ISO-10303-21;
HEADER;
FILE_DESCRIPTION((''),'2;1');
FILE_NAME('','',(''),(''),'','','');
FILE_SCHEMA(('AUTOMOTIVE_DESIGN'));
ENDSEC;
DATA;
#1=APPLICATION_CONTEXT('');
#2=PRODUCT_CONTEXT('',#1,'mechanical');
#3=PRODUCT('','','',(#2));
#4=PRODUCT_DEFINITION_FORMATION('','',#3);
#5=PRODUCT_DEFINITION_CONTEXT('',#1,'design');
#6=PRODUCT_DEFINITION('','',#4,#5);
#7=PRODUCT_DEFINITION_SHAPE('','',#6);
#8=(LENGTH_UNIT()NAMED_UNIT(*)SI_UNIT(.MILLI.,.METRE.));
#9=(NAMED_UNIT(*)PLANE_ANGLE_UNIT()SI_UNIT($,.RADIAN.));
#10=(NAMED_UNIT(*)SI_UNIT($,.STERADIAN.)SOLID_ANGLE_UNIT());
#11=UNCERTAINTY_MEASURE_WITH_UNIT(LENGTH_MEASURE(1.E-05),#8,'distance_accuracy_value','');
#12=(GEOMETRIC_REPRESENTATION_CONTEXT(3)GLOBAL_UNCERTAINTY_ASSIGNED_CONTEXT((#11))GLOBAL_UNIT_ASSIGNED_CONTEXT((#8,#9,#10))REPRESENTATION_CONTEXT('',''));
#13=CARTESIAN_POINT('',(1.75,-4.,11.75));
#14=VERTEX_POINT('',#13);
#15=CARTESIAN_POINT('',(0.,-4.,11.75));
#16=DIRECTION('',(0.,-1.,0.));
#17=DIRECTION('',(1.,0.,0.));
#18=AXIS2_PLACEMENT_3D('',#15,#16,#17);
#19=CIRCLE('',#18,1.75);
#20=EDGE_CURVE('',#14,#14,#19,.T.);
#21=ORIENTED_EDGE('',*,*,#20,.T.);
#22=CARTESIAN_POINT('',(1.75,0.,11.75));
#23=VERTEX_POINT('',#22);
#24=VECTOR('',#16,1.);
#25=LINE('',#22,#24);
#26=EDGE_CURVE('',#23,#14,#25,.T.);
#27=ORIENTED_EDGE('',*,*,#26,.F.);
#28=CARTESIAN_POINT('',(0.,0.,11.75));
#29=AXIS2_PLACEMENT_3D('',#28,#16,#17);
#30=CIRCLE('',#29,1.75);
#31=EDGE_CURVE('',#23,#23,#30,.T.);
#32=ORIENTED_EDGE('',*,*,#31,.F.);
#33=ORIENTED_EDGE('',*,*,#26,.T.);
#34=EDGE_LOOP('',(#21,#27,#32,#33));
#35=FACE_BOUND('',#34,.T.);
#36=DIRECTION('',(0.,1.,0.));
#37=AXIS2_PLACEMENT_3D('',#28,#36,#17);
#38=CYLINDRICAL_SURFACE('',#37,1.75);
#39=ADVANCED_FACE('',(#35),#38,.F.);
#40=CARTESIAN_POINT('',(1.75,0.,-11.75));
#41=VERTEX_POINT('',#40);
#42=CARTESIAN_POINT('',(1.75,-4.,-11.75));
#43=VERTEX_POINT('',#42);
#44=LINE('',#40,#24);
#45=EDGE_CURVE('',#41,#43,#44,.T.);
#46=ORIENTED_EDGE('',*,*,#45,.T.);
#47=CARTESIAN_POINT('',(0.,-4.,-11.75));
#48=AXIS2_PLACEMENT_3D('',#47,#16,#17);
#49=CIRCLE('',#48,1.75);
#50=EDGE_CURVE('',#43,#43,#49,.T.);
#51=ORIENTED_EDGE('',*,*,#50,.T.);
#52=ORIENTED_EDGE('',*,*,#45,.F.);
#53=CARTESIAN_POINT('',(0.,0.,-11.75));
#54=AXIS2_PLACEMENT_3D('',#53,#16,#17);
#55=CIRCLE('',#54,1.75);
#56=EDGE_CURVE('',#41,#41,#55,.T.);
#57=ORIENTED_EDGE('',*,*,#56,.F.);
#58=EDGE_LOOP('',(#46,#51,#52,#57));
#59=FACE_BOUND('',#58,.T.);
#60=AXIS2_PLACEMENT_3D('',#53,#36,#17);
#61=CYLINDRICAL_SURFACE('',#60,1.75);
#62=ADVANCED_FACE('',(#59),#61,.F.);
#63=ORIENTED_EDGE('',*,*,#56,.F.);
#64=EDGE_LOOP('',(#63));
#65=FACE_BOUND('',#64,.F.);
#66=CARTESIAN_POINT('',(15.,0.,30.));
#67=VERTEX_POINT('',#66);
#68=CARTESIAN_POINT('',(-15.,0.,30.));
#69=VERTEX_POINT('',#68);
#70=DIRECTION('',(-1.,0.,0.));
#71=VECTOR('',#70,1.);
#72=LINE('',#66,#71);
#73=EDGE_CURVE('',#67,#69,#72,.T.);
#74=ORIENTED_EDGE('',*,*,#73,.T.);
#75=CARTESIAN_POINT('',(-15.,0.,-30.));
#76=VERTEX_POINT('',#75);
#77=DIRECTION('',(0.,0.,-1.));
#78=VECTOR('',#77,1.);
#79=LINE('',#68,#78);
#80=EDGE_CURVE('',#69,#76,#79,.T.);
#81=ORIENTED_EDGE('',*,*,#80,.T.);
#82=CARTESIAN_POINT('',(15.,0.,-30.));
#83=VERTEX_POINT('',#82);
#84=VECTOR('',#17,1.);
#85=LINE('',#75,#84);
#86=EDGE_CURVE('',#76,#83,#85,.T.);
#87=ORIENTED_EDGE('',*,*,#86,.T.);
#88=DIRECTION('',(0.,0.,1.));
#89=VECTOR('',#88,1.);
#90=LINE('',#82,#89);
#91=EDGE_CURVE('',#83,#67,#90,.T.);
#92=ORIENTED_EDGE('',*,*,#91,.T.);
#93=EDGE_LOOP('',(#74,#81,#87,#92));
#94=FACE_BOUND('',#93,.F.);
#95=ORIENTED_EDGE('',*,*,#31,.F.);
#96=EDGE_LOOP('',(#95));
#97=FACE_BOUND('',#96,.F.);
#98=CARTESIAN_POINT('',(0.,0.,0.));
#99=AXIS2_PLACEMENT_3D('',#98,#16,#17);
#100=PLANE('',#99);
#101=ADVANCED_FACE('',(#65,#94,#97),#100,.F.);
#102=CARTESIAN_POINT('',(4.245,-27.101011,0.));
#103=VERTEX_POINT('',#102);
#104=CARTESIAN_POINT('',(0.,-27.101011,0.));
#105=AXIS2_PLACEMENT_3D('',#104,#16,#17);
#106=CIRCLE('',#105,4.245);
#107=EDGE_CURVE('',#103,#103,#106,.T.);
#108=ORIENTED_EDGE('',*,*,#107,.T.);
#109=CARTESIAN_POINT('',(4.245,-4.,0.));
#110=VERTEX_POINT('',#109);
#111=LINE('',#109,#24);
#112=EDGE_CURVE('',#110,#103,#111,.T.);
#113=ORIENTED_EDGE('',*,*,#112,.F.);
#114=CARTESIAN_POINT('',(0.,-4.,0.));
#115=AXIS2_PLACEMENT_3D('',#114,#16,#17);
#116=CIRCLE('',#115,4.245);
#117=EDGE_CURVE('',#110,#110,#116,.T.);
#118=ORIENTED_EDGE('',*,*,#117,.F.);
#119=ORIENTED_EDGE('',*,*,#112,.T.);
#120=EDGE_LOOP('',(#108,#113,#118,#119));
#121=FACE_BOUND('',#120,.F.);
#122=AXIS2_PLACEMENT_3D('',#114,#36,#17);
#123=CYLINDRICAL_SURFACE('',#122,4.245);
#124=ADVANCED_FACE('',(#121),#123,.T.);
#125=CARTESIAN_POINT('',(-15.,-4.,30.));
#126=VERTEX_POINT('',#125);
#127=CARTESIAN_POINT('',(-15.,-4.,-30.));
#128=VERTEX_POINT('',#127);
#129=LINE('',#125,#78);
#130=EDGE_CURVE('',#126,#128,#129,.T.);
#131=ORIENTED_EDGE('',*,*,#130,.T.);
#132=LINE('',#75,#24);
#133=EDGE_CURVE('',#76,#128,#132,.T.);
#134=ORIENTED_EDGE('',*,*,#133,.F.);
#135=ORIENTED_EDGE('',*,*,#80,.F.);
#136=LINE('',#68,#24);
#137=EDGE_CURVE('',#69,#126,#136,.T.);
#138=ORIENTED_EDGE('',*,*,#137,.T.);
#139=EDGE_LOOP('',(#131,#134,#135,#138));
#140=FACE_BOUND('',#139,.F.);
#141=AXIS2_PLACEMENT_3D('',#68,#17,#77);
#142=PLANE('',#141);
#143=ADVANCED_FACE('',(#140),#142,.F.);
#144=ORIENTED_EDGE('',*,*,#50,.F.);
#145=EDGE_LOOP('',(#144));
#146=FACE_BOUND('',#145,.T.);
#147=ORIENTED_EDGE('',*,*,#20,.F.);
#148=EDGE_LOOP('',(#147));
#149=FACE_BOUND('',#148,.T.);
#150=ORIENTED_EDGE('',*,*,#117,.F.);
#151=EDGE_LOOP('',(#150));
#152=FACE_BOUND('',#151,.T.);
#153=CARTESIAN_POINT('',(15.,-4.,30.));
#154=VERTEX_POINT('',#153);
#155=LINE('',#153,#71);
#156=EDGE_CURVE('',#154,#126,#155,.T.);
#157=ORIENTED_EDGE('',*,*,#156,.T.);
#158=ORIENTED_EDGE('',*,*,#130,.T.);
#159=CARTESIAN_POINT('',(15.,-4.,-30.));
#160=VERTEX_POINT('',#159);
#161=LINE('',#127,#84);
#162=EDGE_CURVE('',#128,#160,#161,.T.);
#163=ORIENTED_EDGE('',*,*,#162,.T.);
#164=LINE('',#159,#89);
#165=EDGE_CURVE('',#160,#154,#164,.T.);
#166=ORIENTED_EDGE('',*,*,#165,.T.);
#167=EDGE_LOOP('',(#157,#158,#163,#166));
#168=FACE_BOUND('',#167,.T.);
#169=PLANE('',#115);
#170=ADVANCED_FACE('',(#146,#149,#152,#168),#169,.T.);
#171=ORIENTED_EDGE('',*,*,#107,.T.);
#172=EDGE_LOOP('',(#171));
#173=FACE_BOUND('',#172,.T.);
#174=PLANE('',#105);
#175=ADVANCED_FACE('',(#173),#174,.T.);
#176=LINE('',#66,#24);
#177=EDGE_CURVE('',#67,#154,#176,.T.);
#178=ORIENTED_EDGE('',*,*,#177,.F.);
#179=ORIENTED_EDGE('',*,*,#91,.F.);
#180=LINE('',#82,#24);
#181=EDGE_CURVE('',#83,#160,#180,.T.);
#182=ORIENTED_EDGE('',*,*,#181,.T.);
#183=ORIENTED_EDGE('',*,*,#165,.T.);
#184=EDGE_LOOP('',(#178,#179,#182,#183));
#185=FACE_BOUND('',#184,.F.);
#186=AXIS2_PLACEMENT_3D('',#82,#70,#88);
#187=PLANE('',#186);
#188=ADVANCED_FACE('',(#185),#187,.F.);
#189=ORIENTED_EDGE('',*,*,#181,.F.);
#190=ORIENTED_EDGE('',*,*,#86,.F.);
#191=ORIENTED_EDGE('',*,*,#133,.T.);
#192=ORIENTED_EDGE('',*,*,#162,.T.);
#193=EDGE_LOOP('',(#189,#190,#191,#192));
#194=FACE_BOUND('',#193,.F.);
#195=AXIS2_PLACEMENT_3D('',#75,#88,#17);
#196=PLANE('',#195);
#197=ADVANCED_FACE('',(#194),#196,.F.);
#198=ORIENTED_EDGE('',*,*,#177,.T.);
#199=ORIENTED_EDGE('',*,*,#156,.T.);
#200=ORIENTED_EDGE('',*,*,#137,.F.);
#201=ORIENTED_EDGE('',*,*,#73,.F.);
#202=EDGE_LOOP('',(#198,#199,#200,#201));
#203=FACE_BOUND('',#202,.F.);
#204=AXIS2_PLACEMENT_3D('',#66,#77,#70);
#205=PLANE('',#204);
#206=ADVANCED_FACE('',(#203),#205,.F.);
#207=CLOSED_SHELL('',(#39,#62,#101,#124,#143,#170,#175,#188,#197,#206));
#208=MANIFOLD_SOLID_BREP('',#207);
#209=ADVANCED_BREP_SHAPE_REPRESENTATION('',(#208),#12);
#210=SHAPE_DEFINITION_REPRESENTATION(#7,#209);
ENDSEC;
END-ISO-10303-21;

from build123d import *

# Parameters (mm, degrees)
F0_R     = 1.75
F1_DEPTH = 4
F3_R     = 4.245
F4_DEPTH = 23.101011


with BuildPart() as f1:
    # F0 (on Front) → F1 (new body)
    with BuildSketch(Plane.XZ):
        Polygon((-15, 30), (-15, 0), (-15, -30), (0, -30), (15, -30), (15, 0), (15, 30), (0, 30), align=None)
        with Locations((0, -11.75)):
            Circle(F0_R, mode=Mode.SUBTRACT)
        with Locations((0, 11.75)):
            Circle(F0_R, mode=Mode.SUBTRACT)
    extrude(amount=F1_DEPTH)

    # F3 (on face) → F4 (join)
    with BuildSketch(Plane.XZ.offset(4)):
        Circle(F3_R)
    extrude(amount=F4_DEPTH)


solid = f1.part
